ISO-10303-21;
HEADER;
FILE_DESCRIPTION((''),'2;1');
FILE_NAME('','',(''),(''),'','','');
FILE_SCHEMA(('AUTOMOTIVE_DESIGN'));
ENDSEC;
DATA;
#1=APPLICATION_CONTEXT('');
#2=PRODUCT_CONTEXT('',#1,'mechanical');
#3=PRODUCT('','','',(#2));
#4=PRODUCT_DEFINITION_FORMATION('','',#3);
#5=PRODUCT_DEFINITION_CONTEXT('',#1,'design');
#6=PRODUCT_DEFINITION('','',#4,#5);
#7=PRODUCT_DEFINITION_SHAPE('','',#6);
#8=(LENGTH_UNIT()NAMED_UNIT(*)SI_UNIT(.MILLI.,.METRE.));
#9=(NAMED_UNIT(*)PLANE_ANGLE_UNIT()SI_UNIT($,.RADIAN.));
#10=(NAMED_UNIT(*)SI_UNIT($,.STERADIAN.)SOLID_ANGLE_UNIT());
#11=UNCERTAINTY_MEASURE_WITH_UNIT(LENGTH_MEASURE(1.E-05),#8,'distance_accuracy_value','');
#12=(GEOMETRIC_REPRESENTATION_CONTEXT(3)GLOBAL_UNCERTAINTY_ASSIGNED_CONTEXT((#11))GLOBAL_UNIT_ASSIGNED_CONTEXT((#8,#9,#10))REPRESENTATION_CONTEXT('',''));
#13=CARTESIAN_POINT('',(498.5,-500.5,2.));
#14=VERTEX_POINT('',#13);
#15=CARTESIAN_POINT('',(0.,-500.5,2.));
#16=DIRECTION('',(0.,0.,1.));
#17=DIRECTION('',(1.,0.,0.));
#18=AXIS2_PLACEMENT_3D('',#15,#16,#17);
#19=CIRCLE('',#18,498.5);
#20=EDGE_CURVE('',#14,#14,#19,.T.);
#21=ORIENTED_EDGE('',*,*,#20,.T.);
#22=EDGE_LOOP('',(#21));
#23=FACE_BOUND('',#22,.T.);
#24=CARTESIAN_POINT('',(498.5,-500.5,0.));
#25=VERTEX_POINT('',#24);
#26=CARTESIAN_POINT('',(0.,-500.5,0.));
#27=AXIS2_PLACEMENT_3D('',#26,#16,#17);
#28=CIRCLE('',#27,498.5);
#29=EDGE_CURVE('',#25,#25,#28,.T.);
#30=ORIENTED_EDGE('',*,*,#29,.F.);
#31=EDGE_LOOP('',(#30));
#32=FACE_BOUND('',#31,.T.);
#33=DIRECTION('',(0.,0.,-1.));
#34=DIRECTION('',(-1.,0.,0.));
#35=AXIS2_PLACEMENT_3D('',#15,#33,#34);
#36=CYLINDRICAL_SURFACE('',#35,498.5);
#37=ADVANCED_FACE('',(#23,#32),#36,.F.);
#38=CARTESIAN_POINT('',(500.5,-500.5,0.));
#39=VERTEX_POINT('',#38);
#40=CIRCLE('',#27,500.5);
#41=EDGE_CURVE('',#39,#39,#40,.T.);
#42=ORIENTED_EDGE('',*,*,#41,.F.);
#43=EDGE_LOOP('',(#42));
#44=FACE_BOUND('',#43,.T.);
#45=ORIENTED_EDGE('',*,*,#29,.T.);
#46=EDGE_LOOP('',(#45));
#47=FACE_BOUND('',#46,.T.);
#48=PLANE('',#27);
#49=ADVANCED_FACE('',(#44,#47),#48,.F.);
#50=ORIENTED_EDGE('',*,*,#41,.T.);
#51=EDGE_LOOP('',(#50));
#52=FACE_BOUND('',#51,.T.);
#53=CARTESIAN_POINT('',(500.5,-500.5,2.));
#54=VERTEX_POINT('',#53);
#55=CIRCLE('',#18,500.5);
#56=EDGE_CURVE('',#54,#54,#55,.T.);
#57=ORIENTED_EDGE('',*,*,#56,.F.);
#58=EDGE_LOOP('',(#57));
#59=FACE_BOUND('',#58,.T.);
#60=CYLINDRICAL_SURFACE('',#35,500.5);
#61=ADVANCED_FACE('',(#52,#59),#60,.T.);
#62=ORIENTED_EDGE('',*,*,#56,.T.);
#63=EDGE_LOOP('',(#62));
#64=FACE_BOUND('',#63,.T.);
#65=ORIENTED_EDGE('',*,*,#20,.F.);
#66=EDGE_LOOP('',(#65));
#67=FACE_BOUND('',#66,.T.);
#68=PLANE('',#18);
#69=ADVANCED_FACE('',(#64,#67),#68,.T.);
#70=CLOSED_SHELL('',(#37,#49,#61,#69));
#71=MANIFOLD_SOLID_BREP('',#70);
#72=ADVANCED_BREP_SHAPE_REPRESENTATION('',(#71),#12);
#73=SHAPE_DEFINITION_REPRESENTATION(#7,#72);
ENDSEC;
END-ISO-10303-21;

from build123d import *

# Parameters (mm, degrees)
SKETCH1_R           = 500.5
SKETCH1_R_2         = 498.5
BOSS_EXTRUDE1_DEPTH = 2


with BuildPart() as part:
    # Sketch1 → Boss-Extrude1 (new body)
    with BuildSketch(Plane.XY):
        with Locations((0, -500.5)):
            Circle(SKETCH1_R)
        with Locations((0, -500.5)):
            Circle(SKETCH1_R_2, mode=Mode.SUBTRACT)
    extrude(amount=BOSS_EXTRUDE1_DEPTH)


solid = part.part
